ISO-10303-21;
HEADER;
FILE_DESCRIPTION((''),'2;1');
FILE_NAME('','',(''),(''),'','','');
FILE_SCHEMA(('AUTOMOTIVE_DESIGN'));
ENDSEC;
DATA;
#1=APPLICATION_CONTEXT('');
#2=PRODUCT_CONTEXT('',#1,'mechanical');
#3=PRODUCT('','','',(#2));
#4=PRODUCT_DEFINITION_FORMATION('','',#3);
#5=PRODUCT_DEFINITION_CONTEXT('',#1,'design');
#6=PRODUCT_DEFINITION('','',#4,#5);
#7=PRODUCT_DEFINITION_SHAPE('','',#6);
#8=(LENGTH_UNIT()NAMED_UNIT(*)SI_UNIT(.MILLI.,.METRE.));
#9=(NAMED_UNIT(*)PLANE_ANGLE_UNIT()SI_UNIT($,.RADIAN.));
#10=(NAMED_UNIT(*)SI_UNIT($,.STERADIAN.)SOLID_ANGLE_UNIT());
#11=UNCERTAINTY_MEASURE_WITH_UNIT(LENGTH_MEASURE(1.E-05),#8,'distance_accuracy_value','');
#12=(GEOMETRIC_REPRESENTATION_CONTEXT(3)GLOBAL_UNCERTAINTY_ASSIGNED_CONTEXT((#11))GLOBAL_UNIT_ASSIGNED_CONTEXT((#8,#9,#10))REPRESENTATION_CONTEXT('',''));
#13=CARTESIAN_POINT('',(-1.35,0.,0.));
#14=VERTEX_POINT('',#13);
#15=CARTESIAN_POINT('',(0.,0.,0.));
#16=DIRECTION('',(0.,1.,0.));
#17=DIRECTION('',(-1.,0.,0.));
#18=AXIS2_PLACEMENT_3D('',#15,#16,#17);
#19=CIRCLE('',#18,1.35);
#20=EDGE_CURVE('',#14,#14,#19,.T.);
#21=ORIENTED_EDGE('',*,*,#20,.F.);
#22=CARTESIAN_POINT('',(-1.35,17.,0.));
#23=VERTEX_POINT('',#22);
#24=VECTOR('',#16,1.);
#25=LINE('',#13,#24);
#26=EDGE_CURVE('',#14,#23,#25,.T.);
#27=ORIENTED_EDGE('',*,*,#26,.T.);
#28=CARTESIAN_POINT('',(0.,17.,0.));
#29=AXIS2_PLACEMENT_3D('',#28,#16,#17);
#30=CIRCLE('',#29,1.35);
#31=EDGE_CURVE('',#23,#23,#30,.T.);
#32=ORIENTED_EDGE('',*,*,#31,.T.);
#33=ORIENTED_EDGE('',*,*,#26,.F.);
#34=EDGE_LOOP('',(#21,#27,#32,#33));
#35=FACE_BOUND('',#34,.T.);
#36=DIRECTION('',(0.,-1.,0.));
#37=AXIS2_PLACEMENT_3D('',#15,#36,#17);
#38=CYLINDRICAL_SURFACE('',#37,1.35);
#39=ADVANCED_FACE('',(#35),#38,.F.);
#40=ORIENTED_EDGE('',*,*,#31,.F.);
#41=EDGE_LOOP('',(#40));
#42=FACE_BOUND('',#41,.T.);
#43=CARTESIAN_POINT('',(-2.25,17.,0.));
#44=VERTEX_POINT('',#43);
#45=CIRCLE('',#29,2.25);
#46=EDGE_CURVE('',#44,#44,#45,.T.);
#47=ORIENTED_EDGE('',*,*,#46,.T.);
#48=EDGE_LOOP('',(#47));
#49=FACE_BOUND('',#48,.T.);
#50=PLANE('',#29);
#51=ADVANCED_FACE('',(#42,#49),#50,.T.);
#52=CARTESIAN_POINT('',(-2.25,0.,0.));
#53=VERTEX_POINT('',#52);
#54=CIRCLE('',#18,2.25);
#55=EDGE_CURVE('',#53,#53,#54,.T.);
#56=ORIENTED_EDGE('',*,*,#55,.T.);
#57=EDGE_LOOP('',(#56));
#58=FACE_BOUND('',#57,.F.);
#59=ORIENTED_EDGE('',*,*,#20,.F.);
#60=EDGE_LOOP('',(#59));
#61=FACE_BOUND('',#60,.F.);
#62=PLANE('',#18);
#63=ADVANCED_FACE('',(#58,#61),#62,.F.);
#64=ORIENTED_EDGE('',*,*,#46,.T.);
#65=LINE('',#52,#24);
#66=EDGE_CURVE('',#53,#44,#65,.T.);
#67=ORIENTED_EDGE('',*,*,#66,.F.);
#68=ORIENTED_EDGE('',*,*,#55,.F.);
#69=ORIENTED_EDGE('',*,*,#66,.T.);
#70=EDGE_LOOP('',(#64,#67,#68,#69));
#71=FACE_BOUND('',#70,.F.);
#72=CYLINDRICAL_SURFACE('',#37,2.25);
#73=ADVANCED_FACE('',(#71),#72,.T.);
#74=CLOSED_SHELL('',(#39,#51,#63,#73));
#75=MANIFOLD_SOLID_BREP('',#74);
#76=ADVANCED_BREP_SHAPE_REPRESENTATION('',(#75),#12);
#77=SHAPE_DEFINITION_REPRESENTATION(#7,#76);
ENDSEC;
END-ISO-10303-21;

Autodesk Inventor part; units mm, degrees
ref_plane "YZ Plane" through (0, 0, 0) normal (1, 0, 0) x (0, 1, 0)
ref_plane "XZ Plane" through (0, 0, 0) normal (0, 1, 0) x (-1, 0, 0)
ref_plane "XY Plane" through (0, 0, 0) normal (0, 0, 1) x (1, 0, 0)
sketch "Sketch1" plane through (0, 0, 0) normal (0, 1, 0) x (-1, 0, 0)
  circle A0 centre (0, 0) radius 1.35
  circle A1 centre (0, 0) radius 2.25
  dimension "d0" = 2.7
  dimension "d1" = 4.5
extrude "Extrusion1" add sketch "Sketch1" along normal blind 17
properties part number "Rod Housing 3"
